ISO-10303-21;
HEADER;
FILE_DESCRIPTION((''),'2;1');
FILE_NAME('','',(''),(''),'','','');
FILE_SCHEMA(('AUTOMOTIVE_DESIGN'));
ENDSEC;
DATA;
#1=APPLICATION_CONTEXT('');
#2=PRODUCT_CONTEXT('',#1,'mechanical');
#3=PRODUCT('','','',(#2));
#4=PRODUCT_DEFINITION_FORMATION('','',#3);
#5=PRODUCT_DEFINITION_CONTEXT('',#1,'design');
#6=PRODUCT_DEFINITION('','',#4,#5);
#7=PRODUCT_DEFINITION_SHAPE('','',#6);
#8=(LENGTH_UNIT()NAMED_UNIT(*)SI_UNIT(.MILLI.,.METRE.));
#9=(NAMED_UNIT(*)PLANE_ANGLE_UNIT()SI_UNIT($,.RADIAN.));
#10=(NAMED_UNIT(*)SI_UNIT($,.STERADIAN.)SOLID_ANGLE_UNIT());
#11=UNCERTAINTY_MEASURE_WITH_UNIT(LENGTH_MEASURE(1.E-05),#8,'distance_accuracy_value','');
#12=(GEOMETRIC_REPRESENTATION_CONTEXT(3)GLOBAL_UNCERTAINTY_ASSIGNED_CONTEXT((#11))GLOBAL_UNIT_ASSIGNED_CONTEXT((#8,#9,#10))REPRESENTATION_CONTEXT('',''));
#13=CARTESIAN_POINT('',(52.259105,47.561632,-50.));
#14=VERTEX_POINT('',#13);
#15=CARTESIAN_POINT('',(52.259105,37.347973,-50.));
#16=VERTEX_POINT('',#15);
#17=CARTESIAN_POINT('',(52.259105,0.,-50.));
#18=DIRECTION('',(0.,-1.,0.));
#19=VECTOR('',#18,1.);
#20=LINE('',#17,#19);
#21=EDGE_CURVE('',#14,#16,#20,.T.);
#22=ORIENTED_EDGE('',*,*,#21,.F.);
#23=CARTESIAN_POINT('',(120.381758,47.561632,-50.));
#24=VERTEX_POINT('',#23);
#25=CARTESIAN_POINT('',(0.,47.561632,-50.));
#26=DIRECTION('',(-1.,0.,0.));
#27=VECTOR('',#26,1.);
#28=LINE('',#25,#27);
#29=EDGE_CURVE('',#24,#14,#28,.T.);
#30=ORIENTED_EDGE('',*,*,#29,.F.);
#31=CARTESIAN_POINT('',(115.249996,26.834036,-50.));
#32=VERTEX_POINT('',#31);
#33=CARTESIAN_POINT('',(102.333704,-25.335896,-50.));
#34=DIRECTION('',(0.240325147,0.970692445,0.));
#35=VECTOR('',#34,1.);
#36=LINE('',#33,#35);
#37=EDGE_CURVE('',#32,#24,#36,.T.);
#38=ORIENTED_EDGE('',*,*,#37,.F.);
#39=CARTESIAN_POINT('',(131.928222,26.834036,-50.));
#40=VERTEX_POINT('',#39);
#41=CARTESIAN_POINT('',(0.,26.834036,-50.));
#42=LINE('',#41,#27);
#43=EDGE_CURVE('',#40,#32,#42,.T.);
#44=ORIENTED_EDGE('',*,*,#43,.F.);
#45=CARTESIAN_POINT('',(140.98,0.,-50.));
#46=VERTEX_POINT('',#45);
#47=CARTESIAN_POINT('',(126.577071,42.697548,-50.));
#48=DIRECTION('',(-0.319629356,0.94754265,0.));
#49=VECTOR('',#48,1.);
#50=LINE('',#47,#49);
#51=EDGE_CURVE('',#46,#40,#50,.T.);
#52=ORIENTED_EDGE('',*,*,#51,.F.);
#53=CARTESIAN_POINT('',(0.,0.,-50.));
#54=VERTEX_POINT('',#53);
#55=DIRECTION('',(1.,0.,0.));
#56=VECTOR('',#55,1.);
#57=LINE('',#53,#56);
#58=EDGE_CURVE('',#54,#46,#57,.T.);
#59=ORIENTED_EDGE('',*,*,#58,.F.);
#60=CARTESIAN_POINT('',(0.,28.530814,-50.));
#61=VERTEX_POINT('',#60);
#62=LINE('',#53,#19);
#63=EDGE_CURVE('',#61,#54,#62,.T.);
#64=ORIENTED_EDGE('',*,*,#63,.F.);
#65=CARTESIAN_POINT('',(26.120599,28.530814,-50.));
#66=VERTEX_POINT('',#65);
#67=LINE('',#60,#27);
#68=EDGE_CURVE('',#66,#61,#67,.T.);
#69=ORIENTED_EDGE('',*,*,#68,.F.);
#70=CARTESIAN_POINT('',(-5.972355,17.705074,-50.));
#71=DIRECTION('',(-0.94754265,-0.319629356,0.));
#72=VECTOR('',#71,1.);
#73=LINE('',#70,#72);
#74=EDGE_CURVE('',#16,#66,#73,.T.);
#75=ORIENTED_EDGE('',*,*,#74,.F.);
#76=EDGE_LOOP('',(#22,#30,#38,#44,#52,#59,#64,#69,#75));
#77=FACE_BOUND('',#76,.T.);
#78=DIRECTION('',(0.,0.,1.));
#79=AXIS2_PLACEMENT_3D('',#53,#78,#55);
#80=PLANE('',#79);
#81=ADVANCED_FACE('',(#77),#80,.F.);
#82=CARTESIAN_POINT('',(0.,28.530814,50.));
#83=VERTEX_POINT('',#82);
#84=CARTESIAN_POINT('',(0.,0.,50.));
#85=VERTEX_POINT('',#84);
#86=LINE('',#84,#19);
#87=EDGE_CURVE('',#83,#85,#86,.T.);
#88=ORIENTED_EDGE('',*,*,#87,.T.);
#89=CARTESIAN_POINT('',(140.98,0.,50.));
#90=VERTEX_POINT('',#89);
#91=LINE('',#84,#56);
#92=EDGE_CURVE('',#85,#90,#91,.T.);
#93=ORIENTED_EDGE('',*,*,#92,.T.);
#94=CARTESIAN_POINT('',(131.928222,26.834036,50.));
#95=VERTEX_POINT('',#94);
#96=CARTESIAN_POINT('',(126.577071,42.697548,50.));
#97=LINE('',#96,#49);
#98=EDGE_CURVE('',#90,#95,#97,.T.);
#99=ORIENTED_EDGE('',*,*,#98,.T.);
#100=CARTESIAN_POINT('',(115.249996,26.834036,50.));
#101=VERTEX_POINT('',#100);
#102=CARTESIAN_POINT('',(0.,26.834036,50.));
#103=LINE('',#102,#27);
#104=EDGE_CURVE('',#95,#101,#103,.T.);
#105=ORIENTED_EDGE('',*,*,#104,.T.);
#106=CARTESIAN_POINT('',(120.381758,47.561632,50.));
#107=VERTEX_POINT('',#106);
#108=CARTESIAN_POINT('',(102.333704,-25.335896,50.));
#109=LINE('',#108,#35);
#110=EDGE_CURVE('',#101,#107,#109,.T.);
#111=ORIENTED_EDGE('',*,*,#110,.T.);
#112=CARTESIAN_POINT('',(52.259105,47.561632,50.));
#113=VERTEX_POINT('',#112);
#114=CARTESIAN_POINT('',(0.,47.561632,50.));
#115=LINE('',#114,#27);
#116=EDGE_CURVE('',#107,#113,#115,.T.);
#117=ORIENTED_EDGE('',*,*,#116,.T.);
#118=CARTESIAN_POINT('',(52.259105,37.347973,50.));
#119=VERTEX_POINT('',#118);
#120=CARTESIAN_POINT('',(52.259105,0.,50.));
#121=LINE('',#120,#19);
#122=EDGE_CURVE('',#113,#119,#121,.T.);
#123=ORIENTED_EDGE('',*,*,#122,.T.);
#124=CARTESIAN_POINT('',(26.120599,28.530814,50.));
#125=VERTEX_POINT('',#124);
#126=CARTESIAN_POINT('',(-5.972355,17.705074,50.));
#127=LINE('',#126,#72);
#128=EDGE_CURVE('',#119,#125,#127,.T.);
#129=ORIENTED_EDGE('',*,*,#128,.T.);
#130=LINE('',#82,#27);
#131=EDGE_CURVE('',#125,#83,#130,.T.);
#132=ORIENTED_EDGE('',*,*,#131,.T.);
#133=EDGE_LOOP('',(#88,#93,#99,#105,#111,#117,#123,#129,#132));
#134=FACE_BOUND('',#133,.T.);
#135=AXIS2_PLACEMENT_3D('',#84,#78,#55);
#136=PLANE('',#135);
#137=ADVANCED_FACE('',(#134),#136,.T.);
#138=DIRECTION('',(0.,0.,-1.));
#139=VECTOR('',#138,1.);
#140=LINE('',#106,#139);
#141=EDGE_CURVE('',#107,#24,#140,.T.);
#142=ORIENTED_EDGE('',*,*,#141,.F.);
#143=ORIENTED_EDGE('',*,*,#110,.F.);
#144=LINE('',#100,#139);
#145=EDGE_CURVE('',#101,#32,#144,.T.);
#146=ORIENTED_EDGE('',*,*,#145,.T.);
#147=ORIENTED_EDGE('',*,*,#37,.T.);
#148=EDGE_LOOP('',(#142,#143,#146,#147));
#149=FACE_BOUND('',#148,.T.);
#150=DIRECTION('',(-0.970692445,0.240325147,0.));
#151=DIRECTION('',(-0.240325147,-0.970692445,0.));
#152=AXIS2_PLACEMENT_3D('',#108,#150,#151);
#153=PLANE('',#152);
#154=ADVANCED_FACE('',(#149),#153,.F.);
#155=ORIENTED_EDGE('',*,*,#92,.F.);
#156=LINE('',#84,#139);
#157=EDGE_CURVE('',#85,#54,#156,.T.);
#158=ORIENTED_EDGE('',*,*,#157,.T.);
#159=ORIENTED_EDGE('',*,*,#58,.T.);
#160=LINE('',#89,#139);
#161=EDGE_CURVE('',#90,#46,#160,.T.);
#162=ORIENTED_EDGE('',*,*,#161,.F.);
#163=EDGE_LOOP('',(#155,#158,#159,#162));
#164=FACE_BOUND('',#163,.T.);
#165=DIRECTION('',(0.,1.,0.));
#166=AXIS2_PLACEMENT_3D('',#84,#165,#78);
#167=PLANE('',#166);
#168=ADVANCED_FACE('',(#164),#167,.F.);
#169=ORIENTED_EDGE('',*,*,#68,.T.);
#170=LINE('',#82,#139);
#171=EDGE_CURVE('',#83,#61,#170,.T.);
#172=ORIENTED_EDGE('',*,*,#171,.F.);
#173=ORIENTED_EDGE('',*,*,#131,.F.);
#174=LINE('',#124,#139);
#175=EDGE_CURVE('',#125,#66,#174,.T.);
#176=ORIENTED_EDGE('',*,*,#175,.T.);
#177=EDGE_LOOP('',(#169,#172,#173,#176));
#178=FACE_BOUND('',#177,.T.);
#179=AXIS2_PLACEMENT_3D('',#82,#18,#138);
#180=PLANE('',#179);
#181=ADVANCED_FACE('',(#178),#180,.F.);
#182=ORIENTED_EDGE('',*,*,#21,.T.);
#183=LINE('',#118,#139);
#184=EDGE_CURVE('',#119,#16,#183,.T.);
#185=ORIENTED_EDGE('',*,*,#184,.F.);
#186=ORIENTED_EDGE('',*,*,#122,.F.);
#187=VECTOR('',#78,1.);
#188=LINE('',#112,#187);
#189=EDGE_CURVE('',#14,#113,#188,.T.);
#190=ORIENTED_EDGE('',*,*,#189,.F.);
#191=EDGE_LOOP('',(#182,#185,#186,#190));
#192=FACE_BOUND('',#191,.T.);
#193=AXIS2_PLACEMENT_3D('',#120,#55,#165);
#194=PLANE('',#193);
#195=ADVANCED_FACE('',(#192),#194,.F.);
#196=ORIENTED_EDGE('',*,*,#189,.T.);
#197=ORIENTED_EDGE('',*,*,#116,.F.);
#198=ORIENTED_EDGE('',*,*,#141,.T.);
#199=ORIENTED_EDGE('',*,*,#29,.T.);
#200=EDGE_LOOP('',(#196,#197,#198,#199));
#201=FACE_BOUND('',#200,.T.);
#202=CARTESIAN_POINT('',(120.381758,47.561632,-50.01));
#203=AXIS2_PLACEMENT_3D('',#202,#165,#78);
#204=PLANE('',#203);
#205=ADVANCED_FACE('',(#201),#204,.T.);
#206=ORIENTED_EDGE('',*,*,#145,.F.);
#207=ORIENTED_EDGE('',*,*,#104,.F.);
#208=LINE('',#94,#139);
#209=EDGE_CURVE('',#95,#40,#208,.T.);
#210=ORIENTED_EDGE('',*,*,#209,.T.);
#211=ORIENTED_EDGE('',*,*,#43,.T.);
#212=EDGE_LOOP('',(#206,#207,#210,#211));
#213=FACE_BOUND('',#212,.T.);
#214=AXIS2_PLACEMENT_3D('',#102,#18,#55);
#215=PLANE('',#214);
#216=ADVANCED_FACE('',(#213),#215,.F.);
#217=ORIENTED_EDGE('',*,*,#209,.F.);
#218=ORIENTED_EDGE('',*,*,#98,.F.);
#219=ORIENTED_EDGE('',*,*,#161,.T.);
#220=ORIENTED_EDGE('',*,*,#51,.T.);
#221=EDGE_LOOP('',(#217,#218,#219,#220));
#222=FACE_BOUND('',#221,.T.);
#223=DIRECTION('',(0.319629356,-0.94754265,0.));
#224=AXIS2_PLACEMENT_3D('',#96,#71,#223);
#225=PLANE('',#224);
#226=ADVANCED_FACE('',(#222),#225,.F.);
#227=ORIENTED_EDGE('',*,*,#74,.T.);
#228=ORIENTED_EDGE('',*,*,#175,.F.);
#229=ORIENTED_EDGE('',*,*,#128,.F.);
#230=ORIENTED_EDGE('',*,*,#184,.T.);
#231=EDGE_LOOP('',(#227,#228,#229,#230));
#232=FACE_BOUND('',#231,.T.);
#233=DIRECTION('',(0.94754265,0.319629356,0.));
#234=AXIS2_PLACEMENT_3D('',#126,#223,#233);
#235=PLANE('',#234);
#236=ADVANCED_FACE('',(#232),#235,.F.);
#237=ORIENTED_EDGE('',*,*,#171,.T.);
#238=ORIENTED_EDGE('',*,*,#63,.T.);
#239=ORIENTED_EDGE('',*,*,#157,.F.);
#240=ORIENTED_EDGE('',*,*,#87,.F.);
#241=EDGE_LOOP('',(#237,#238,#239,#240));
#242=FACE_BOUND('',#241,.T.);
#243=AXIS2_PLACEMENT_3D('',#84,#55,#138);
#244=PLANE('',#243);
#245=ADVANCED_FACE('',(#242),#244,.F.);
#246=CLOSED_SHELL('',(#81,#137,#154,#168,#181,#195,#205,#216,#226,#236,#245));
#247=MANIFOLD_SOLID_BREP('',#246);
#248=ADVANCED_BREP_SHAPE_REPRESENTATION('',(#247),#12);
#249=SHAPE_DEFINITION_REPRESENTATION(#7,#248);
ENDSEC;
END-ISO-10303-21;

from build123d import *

# Parameters (mm, degrees)
EXTRUDE_1_DEPTH                = 50
SPLIT_BODIES_1_SURFACE_1_BACK  = 226.829
SPLIT_BODIES_1_SURFACE_1_DEPTH = 453.658
SPLIT_BODIES_1_SURFACE_2_BACK  = 226.829
SPLIT_BODIES_1_SURFACE_2_DEPTH = 453.658


with BuildPart() as part:
    # 草图2 → 凸台-拉伸1 (new, symmetric)
    with BuildSketch(Plane.XY):
        with BuildLine():
            Line((120.381757685, 47.561632043), (136.603924057, 47.561632043))
            Line((136.603924057, 47.561632043), (146.850265064, 88.947420909))
            ThreePointArc((146.850265064, 88.947420909), (104.62030332, 85.070472378), (109.988846824, 127.136838271))
            Line((109.988846824, 127.136838271), (88.280849451, 128.197534042))
            ThreePointArc((88.280849451, 128.197534042), (80.571822415, 123.964886157), (80.863683371, 115.175163571))
            ThreePointArc((80.863683371, 115.175163571), (88.300101913, 100.587398022), (92.288223879, 84.706651578))
            Line((92.288223879, 84.706651578), (52.259104564, 84.706651578))
            Line((52.259104564, 84.706651578), (52.259104564, 37.347972633))
            Line((52.259104564, 37.347972633), (26.12059868, 28.530814049))
            Line((26.12059868, 28.530814049), (0, 28.530814049))
            Line((0, 28.530814049), (0, 0))
            Line((0, 0), (140.98, 0))
            Line((140.98, 0), (131.928221984, 26.834036233))
            Line((131.928221984, 26.834036233), (115.249995775, 26.834036233))
            Line((115.249995775, 26.834036233), (120.381757685, 47.561632043))
        make_face()
        with BuildLine():
            ThreePointArc((109.988846824, 127.136838271), (104.62030332, 85.070472378), (146.850265064, 88.947420909))
            Line((146.850265064, 88.947420909), (151.231226865, 106.642475172))
            ThreePointArc((151.231226865, 106.642475172), (147.884639105, 117.258207331), (140.564064785, 125.64287253))
            Line((140.564064785, 125.64287253), (109.988846824, 127.136838271))
        make_face()
        with BuildLine():
            ThreePointArc((140.564064785, 125.64287253), (125.506724817, 131.102497099), (109.988846824, 127.136838271))
            Line((109.988846824, 127.136838271), (140.564064785, 125.64287253))
        make_face()
        with BuildLine():
            ThreePointArc((140.564064785, 125.64287253), (147.884639105, 117.258207331), (151.231226865, 106.642475172))
            Line((151.231226865, 106.642475172), (154.115877694, 118.293810031))
            ThreePointArc((154.115877694, 118.293810031), (153.172952645, 122.982290954), (148.95330104, 125.232957822))
            Line((148.95330104, 125.232957822), (140.564064785, 125.64287253))
        make_face()
    extrude(amount=EXTRUDE_1_DEPTH, both=True)


with BuildPart() as body_2:
    # Split Bodies 1: the piece behind the surface
    add(part.part)
    # Split Bodies 1 surface: a surface, the sketch's curves swept straight by 453.658 mm
    with BuildLine(Plane.XY.offset(50).offset(-SPLIT_BODIES_1_SURFACE_1_BACK), mode=Mode.PRIVATE) as split_bodies_1_surface_1_path:
        Line((120.381757685, 47.561632043), (52.259104564, 47.561632043))
    split_bodies_1_surface_1 = Shell.extrude(split_bodies_1_surface_1_path.wire(), (0 * SPLIT_BODIES_1_SURFACE_1_DEPTH, 0 * SPLIT_BODIES_1_SURFACE_1_DEPTH, 1 * SPLIT_BODIES_1_SURFACE_1_DEPTH))
    split(bisect_by=split_bodies_1_surface_1, keep=Keep.BOTTOM)


with BuildPart() as part_1:
    add(part.part)

    # Split Bodies 1: split by a surface, the side it looks to stays
    # Split Bodies 1 surface: a surface, the sketch's curves swept straight by 453.658 mm
    with BuildLine(Plane.XY.offset(50).offset(-SPLIT_BODIES_1_SURFACE_2_BACK), mode=Mode.PRIVATE) as split_bodies_1_surface_2_path:
        Line((120.381757685, 47.561632043), (52.259104564, 47.561632043))
    split_bodies_1_surface_2 = Shell.extrude(split_bodies_1_surface_2_path.wire(), (0 * SPLIT_BODIES_1_SURFACE_2_DEPTH, 0 * SPLIT_BODIES_1_SURFACE_2_DEPTH, 1 * SPLIT_BODIES_1_SURFACE_2_DEPTH))
    split(bisect_by=split_bodies_1_surface_2, keep=Keep.TOP)


solid = part_1.part
